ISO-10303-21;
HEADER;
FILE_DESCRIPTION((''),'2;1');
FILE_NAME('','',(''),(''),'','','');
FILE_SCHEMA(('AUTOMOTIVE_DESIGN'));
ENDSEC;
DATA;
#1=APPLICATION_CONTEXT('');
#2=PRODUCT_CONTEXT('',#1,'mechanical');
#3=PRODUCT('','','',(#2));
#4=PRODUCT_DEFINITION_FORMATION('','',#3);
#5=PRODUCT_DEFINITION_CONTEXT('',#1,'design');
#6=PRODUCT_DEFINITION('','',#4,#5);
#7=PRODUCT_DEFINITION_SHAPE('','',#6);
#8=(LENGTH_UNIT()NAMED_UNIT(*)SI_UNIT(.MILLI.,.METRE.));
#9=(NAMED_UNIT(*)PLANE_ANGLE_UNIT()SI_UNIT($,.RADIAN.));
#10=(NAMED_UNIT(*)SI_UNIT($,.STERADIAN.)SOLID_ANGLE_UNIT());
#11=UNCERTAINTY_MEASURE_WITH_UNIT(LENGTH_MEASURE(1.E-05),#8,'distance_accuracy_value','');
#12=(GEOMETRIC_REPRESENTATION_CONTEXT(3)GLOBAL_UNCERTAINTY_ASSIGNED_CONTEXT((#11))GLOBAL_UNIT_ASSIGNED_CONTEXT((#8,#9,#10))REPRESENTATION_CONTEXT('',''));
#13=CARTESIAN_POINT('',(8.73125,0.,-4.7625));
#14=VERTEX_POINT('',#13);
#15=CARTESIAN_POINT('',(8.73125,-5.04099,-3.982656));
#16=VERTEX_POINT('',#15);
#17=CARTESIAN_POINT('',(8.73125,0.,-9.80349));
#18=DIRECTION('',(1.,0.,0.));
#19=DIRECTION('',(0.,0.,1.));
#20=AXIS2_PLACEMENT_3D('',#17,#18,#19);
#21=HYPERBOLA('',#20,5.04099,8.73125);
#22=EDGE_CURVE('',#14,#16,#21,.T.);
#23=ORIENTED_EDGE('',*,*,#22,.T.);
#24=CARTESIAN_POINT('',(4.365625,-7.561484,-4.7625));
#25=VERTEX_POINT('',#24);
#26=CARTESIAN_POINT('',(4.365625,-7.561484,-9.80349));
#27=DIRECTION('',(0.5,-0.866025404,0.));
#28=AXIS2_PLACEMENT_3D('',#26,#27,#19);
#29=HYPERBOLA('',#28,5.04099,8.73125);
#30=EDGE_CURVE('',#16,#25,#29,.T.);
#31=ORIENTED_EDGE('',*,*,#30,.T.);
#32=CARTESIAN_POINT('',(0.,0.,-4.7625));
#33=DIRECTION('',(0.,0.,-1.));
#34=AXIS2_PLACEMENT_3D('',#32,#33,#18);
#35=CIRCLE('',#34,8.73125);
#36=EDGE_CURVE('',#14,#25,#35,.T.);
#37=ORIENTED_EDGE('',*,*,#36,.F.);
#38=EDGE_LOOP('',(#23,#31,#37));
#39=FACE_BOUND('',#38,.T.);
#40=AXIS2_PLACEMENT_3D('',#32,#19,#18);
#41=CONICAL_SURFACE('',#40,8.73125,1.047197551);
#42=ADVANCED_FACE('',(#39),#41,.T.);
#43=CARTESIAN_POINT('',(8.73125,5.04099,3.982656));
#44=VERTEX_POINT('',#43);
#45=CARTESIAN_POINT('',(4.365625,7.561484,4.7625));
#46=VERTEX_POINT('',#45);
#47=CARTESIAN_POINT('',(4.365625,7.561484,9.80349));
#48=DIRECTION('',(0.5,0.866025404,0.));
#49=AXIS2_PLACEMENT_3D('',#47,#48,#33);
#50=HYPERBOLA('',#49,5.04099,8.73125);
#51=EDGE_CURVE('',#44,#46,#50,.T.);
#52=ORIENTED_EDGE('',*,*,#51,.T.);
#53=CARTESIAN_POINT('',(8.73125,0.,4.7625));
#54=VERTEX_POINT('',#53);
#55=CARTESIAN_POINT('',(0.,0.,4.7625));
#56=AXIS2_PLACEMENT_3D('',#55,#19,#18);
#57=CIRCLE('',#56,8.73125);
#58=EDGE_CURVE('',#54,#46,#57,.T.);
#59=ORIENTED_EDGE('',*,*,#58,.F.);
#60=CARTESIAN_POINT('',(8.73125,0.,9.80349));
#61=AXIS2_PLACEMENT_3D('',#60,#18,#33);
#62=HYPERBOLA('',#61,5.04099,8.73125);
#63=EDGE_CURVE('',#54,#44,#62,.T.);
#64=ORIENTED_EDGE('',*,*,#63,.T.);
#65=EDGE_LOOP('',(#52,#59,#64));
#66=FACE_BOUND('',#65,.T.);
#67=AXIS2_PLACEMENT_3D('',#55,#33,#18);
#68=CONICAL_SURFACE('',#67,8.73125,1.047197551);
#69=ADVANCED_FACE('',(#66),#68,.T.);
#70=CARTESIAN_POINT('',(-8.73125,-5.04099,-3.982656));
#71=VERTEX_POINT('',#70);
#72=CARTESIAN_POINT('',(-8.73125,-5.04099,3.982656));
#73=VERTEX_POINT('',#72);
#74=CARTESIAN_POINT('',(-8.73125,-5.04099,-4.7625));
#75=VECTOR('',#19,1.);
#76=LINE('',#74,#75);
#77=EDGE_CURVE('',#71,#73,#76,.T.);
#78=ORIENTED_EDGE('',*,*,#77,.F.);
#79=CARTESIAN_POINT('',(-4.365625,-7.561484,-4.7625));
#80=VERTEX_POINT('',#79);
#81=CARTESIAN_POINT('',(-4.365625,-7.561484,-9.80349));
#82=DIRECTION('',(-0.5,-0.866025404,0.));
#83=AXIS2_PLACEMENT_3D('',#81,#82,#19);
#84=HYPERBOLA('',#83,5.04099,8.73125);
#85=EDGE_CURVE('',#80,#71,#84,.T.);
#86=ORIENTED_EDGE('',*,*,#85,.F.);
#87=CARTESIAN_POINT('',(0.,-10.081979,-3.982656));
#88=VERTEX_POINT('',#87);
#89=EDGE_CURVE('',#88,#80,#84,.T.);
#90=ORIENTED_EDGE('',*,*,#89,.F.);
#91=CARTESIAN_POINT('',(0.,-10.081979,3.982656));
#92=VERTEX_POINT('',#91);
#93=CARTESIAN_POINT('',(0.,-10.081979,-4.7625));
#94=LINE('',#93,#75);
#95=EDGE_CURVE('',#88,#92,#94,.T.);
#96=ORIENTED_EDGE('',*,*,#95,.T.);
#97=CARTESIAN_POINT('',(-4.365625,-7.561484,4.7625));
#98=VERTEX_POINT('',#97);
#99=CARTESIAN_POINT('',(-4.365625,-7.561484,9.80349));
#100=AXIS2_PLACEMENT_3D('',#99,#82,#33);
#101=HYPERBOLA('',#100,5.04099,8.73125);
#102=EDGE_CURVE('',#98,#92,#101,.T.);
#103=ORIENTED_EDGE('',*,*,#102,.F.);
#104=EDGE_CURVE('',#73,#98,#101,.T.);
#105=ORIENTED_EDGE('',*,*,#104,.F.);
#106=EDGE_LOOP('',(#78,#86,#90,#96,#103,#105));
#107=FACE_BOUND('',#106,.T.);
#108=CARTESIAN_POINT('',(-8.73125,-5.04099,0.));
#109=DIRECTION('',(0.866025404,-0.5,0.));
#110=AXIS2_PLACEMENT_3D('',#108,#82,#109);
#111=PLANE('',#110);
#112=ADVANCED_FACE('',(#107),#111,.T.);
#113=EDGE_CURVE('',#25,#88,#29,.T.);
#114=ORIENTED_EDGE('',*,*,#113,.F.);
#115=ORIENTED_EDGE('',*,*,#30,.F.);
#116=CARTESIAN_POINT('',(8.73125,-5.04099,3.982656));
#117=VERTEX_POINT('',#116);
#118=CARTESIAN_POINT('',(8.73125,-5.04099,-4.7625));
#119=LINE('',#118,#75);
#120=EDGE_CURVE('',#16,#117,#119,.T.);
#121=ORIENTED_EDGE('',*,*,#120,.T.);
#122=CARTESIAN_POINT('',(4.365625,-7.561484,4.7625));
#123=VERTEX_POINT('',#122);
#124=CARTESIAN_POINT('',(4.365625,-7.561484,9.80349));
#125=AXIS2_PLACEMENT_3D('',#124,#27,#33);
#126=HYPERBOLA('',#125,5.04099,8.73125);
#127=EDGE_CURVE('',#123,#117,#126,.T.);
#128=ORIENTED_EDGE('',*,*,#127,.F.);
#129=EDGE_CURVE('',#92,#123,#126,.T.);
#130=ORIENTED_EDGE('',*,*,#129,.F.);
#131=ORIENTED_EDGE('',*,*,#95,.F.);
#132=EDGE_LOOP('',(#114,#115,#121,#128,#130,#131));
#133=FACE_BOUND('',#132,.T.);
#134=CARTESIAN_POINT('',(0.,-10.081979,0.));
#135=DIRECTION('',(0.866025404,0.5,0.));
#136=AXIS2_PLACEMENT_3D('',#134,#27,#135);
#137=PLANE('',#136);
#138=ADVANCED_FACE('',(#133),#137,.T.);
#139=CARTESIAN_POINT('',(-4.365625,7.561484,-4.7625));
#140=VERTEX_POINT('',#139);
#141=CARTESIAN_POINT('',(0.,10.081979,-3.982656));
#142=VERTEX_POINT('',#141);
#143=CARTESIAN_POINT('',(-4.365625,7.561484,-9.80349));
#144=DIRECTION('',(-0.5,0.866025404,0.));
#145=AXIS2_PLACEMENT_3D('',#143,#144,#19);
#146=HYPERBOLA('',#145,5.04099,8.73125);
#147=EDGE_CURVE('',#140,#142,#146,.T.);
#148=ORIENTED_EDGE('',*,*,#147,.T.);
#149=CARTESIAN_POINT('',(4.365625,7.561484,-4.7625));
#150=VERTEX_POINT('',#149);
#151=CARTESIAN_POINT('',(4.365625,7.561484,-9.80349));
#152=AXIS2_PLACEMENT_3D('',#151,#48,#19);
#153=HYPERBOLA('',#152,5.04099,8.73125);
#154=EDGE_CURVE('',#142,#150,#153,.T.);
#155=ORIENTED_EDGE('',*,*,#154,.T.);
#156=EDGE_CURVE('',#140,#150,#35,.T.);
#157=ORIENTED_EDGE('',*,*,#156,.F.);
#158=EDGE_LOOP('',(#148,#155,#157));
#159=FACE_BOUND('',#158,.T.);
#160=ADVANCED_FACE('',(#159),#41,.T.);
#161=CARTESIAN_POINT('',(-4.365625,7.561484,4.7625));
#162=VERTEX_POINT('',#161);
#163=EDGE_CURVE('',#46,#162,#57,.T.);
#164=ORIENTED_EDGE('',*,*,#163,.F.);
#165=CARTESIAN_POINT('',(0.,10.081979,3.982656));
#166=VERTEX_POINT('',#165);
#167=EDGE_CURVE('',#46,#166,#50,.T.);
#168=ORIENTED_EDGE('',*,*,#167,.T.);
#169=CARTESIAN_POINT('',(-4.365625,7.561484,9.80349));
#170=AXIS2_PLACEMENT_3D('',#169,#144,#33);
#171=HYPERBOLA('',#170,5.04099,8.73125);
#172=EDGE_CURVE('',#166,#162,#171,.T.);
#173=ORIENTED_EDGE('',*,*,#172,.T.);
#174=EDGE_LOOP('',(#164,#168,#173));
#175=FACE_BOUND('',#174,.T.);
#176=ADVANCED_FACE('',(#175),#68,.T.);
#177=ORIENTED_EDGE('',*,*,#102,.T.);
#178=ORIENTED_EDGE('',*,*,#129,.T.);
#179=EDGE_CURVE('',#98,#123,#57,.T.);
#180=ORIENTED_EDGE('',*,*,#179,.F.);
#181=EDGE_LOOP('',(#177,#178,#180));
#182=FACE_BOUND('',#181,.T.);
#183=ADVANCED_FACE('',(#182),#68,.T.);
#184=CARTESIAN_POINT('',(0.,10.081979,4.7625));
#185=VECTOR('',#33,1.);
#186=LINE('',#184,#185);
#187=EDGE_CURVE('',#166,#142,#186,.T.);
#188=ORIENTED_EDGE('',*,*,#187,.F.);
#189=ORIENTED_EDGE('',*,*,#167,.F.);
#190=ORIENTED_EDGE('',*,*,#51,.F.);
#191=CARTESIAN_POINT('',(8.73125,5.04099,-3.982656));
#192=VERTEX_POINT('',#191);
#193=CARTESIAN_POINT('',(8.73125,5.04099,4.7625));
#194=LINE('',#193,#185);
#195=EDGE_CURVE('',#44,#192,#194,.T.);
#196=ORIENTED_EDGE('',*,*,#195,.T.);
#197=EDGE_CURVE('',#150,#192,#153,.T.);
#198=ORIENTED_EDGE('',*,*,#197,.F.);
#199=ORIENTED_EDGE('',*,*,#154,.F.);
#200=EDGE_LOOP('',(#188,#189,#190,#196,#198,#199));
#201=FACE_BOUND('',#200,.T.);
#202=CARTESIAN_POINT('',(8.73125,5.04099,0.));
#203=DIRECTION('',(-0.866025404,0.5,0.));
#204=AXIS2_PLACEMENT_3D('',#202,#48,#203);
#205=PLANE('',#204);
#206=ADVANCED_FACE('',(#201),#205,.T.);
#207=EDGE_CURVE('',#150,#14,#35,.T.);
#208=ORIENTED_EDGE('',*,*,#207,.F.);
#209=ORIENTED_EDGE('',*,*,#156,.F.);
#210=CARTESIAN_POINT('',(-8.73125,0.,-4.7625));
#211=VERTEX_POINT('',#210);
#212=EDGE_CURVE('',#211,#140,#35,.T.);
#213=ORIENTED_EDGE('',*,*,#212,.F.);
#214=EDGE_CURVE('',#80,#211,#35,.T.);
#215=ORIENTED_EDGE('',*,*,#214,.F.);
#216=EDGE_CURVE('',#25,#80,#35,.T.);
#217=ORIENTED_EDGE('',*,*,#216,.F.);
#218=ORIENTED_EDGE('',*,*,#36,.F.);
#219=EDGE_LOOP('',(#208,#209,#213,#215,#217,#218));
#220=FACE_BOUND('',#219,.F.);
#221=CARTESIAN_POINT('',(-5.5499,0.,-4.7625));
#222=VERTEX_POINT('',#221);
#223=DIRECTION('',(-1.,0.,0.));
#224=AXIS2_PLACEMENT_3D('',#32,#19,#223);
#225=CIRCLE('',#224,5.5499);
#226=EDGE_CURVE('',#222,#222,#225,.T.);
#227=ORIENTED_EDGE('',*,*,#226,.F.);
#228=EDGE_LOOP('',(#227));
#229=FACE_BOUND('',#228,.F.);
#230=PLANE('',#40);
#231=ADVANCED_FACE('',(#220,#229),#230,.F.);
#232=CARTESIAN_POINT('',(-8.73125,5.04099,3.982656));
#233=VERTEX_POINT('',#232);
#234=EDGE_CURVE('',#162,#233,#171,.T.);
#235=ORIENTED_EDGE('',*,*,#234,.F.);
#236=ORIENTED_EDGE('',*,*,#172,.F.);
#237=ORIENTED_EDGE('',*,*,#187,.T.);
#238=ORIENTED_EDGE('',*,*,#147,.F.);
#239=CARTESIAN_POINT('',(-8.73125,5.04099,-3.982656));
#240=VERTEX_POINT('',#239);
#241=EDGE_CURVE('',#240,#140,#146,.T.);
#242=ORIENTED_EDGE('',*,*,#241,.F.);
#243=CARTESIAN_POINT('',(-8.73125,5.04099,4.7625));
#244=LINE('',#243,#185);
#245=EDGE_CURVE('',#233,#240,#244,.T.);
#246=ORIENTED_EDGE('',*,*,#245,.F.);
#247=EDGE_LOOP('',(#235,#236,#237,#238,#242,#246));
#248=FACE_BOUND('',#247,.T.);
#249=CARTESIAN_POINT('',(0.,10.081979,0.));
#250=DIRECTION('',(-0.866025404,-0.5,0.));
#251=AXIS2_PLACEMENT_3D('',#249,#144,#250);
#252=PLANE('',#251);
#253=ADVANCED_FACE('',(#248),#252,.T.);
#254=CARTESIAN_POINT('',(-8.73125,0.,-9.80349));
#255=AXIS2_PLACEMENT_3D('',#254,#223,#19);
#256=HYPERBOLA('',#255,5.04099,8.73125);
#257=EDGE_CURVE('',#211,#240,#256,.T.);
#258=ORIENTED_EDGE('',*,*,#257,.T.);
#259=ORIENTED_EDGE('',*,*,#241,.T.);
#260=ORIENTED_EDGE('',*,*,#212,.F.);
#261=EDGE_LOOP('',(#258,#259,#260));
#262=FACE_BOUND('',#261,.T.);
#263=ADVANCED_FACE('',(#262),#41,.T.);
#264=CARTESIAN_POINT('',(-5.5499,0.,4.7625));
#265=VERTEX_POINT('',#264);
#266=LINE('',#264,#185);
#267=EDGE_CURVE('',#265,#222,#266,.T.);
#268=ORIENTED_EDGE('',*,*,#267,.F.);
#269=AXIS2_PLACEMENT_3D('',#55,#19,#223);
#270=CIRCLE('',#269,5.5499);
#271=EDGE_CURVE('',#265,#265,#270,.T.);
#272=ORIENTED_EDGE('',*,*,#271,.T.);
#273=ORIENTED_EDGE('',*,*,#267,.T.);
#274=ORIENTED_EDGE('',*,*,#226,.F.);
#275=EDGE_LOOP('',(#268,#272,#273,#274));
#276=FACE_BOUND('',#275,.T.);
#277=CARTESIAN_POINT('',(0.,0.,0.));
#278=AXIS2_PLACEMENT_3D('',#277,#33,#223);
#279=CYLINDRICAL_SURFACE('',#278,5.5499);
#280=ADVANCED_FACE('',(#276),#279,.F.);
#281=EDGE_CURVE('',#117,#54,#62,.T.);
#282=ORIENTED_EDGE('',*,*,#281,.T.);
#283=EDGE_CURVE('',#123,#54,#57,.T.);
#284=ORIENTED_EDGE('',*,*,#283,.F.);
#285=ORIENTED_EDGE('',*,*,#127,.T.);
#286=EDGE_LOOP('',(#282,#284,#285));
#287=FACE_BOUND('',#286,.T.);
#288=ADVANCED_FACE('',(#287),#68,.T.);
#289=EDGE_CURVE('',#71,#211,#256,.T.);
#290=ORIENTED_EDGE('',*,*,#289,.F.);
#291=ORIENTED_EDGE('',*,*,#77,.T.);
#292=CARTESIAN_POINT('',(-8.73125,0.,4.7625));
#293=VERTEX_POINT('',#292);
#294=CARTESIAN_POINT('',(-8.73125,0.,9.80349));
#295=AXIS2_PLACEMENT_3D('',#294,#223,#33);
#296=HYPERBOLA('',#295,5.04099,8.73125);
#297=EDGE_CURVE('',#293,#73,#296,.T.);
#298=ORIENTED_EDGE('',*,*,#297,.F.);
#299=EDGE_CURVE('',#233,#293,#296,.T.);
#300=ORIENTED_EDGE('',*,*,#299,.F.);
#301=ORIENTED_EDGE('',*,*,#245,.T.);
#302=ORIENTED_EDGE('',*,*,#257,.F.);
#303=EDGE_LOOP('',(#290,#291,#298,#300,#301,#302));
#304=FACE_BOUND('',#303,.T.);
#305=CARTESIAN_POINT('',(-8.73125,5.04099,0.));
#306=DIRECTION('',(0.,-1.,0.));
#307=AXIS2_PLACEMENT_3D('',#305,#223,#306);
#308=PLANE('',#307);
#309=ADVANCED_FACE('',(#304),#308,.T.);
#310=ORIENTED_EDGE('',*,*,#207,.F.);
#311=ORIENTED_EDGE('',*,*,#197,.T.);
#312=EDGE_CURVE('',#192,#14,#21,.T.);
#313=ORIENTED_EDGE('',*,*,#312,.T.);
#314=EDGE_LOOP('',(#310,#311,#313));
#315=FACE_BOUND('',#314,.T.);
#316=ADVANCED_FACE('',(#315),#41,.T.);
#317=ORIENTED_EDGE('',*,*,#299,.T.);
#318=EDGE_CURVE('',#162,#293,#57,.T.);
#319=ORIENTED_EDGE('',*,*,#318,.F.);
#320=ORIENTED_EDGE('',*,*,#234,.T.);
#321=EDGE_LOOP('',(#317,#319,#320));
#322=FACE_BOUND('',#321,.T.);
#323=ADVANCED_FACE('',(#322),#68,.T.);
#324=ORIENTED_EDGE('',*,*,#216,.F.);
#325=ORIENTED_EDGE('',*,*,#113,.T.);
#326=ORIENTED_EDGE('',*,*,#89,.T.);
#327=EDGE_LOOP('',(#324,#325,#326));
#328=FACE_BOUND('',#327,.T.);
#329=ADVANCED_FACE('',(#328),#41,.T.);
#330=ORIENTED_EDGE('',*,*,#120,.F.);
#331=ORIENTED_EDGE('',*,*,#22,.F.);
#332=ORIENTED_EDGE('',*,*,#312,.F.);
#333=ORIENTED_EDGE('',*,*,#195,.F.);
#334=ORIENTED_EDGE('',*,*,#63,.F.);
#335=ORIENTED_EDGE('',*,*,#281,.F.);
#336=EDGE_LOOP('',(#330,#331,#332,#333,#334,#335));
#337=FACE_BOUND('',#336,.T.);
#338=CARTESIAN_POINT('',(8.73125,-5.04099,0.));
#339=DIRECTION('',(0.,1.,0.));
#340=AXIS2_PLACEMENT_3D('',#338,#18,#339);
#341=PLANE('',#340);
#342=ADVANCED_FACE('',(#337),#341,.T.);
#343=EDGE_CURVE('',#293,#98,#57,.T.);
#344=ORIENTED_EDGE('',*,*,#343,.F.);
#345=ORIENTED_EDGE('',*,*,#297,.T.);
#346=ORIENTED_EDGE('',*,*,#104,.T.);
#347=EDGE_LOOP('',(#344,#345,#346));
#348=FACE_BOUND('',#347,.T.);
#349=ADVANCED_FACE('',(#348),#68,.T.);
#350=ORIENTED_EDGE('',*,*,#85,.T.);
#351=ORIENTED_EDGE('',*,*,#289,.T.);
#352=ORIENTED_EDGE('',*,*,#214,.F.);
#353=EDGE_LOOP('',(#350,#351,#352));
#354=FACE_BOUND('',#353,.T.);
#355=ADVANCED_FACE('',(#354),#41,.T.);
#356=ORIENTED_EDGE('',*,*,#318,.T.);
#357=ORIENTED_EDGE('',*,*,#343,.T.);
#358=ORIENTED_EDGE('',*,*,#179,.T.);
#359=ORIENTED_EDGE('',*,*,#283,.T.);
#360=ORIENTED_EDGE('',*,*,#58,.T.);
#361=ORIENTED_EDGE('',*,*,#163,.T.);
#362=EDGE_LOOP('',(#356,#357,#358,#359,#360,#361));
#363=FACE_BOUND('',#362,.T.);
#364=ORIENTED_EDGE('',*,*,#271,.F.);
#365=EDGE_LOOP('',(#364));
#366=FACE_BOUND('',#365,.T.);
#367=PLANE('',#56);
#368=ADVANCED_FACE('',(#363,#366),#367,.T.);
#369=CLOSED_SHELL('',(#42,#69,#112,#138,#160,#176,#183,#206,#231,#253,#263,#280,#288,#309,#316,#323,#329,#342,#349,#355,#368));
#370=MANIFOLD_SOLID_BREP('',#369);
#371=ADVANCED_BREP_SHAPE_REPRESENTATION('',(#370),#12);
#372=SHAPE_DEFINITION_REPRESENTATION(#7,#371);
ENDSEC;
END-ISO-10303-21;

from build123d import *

# Parameters (mm, degrees)
SKETCH1_R               = 5.5499
EXTRUDE1_DEPTH          = 4.7625
SKETCH7_OUTSIDE_W       = 113.114
SKETCH7_OUTSIDE_H       = 115.816
SKETCH7_OUTSIDE_R       = 8.73125
EXTRUDE2_DEPTH          = 25.4
EXTRUDE2_DRAFT          = -60
MIRROR1_COPY_1_SKETCH_W = 113.114
MIRROR1_COPY_1_SKETCH_H = 115.816
MIRROR1_COPY_1_SKETCH_R = 8.73125
MIRROR1_COPY_1_DEPTH    = 25.4
MIRROR1_COPY_1_DRAFT    = -60


with BuildPart() as part:
    # Sketch1 → Extrude1 (new, symmetric)
    with BuildSketch(Plane.XY):
        Polygon((-8.73125, 5.040989538), (-8.73125, -5.040989538), (0, -10.081979076), (8.73125, -5.040989538), (8.73125, 5.040989538), (0, 10.081979076), align=None)
        Circle(SKETCH1_R, mode=Mode.SUBTRACT)
    extrude(amount=EXTRUDE1_DEPTH, both=True)


with BuildPart() as extrude2_tool:
    # Sketch7 outside → Extrude2 (with draft: the straight prism first)
    with BuildSketch(Plane.XY.offset(4.7625)):
        Rectangle(SKETCH7_OUTSIDE_W, SKETCH7_OUTSIDE_H)
        Circle(SKETCH7_OUTSIDE_R, mode=Mode.SUBTRACT)
    extrude(amount=-EXTRUDE2_DEPTH)
    # Extrude2: the draft: its side faces are tilted about the plane it starts from
    extrude2_sides = [extrude2_tool.faces().sort_by_distance(p)[0] for p in [
        (0, -57.908, -7.9375),
        (56.557, 0, -7.9375),
        (0, 57.908, -7.9375),
        (-56.557, 0, -7.9375),
        (-8.73125, 0, -7.9375),
    ]]
    draft(extrude2_sides, Plane.XY.offset(4.7625), EXTRUDE2_DRAFT)


with BuildPart() as part_1:
    add(part.part)

    # Extrude2: cut by extrude2_tool
    add(extrude2_tool.part, mode=Mode.SUBTRACT)


with BuildPart() as mirror1_copy_1_tool:
    # Mirror1 copy 1 sketch → Mirror1 copy 1 (with draft: the straight prism first)
    with BuildSketch(Plane(origin=(0, 0, -4.7625), x_dir=(1, 0, 0), z_dir=(0, 0, -1))):
        Rectangle(MIRROR1_COPY_1_SKETCH_W, MIRROR1_COPY_1_SKETCH_H)
        Circle(MIRROR1_COPY_1_SKETCH_R, mode=Mode.SUBTRACT)
    extrude(amount=-MIRROR1_COPY_1_DEPTH)
    # Mirror1 copy 1: the draft: its side faces are tilted about the plane it starts from
    mirror1_copy_1_sides = [mirror1_copy_1_tool.faces().sort_by_distance(p)[0] for p in [
        (0, -57.908, 7.9375),
        (56.557, 0, 7.9375),
        (0, 57.908, 7.9375),
        (-56.557, 0, 7.9375),
        (-8.73125, 0, 7.9375),
    ]]
    draft(mirror1_copy_1_sides, Plane(origin=(0, 0, -4.7625), x_dir=(1, 0, 0), z_dir=(0, 0, -1)), MIRROR1_COPY_1_DRAFT)


with BuildPart() as part_2:
    add(part_1.part)

    # Mirror1 copy 1: cut by mirror1_copy_1_tool
    add(mirror1_copy_1_tool.part, mode=Mode.SUBTRACT)


solid = part_2.part
